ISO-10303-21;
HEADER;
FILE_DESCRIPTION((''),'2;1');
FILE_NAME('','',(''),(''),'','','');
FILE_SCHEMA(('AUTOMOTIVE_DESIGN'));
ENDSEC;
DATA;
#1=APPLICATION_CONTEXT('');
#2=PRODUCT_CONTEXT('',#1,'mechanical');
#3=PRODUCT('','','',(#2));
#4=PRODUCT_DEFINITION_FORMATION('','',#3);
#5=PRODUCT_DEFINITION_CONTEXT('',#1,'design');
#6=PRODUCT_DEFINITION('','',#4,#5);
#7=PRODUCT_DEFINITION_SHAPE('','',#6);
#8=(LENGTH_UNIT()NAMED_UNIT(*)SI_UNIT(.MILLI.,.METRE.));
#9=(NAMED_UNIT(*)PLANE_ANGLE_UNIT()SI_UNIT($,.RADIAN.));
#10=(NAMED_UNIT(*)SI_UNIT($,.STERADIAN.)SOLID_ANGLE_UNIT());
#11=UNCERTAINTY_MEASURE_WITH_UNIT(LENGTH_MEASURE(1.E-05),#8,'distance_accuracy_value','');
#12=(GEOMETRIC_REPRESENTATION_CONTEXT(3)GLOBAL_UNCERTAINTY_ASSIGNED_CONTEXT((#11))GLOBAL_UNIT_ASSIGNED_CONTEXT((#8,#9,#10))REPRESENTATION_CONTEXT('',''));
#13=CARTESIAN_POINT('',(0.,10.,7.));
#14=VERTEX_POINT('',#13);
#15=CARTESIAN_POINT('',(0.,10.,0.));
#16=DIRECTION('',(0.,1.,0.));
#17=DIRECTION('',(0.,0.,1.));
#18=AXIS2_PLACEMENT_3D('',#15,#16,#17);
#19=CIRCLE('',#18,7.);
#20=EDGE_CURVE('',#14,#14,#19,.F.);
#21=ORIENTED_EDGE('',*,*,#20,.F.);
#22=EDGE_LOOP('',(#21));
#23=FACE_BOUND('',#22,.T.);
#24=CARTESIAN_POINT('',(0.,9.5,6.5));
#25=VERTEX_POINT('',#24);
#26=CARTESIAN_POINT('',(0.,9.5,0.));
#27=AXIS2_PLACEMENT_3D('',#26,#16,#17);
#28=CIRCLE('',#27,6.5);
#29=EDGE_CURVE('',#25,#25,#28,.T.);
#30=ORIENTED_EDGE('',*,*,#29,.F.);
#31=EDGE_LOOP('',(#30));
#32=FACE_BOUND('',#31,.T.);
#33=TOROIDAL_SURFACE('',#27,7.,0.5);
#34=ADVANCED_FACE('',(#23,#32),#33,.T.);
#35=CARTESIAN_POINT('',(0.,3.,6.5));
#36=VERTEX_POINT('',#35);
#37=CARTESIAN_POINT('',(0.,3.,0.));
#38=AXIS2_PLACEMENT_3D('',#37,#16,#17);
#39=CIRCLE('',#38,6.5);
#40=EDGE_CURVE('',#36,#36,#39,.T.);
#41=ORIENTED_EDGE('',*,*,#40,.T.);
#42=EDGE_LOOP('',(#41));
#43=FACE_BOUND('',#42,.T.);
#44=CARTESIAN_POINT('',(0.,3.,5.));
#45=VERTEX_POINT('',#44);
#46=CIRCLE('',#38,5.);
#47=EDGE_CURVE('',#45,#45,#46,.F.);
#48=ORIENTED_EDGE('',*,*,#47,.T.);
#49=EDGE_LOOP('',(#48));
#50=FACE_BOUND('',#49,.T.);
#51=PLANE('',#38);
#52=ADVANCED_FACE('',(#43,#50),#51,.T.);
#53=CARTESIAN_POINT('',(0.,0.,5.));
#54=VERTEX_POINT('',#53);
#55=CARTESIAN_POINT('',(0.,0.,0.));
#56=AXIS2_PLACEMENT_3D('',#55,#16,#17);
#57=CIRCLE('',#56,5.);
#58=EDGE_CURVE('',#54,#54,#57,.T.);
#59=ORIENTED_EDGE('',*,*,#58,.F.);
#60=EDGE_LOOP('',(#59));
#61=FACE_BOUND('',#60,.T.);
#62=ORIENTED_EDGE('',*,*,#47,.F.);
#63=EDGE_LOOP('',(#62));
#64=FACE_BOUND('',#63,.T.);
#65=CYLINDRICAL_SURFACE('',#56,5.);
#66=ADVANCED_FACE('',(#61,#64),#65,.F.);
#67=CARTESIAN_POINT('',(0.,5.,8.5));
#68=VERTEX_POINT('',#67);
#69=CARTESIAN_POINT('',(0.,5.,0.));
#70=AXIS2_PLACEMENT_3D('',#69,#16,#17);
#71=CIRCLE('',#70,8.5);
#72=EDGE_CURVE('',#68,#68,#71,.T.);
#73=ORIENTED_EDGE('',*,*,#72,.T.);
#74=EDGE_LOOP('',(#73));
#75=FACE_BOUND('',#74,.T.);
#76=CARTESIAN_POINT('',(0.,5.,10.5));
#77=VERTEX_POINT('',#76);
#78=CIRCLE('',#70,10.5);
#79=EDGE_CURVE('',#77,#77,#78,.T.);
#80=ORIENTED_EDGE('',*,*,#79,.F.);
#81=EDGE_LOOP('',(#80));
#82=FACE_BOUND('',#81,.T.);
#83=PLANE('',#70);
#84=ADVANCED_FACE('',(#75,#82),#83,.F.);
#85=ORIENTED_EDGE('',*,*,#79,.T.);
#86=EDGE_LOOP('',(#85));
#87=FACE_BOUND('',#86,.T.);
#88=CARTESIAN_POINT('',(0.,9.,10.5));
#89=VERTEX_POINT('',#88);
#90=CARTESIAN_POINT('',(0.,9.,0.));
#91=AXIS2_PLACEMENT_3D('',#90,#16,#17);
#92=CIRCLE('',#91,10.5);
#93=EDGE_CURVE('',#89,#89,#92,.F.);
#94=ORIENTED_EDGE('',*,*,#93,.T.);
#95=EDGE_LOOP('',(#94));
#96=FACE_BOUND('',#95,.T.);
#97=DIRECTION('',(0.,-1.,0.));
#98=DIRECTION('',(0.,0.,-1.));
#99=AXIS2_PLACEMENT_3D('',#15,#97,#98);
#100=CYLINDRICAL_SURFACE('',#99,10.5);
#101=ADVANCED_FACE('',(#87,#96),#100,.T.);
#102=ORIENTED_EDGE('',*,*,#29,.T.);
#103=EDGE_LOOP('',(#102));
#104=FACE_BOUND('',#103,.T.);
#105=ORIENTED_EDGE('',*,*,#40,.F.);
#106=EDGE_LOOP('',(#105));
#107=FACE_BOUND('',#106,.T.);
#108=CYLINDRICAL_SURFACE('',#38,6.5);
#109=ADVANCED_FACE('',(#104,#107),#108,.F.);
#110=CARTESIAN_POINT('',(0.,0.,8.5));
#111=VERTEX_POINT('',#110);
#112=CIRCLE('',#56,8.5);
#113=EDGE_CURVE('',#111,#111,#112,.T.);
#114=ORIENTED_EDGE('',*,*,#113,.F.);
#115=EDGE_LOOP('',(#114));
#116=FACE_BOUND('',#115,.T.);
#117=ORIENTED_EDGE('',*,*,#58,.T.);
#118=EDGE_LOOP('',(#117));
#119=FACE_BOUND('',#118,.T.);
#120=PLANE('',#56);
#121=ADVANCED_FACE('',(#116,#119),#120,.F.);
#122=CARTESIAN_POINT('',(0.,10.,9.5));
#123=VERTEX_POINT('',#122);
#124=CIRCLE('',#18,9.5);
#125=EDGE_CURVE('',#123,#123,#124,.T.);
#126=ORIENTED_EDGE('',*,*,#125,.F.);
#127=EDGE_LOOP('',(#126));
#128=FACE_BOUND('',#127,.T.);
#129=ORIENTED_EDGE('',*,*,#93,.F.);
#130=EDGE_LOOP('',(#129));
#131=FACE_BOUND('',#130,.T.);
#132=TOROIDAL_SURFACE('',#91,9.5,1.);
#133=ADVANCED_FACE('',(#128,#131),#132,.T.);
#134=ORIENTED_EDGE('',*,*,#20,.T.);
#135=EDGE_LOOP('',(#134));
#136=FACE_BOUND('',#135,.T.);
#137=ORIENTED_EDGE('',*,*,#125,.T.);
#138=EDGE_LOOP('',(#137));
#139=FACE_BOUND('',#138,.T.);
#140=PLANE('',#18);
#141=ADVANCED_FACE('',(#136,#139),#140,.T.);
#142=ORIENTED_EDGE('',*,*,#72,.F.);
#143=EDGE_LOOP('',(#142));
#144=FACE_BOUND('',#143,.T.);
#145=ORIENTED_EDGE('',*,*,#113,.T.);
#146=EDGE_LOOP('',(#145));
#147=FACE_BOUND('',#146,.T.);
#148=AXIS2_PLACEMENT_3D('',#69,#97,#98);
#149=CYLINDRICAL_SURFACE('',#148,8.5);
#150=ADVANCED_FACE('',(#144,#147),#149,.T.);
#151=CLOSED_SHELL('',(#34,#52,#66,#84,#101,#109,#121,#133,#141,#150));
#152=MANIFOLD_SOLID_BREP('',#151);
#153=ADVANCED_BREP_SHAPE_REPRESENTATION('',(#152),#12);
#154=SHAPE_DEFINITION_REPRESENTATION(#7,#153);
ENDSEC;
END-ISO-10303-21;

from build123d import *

# Parameters (mm, degrees)
SKETCH1_R           = 8.5
BOSS_EXTRUDE1_DEPTH = 5
SKETCH2_R           = 10.5
BOSS_EXTRUDE2_DEPTH = 5
SKETCH3_R           = 5
CUT_EXTRUDE1_DEPTH  = 18.90251379
SKETCH4_R           = 6.5
CUT_EXTRUDE2_DEPTH  = 7
FILLET1_R           = 1
FILLET2_R           = 0.5


with BuildPart() as part:
    # Sketch1 → Boss-Extrude1 (new body)
    with BuildSketch(Plane(origin=(0, 0, 0), x_dir=(1, 0, 0), z_dir=(0, 1, 0))):
        with Locations(Location((0, 0, 0), (0, 0, 270))):
            Circle(SKETCH1_R)
    extrude(amount=BOSS_EXTRUDE1_DEPTH)

    # Sketch2 → Boss-Extrude2 (add)
    with BuildSketch(Plane(origin=(0, 5, 0), x_dir=(1, 0, 0), z_dir=(0, 1, 0))):
        with Locations(Location((0, 0, 0), (0, 0, 270))):
            Circle(SKETCH2_R)
    extrude(amount=BOSS_EXTRUDE2_DEPTH)

    # Sketch3 → Cut-Extrude1 (cut, through all)
    with BuildSketch(Plane(origin=(0, 10, 0), x_dir=(1, 0, 0), z_dir=(0, 1, 0))):
        with Locations(Location((0, 0, 0), (0, 0, 270))):
            Circle(SKETCH3_R)
    extrude(amount=-CUT_EXTRUDE1_DEPTH, mode=Mode.SUBTRACT)

    # Sketch4 → Cut-Extrude2 (cut)
    with BuildSketch(Plane(origin=(0, 10, 0), x_dir=(1, 0, 0), z_dir=(0, 1, 0))):
        with Locations(Location((0, 0, 0), (0, 0, 270))):
            Circle(SKETCH4_R)
    extrude(amount=-CUT_EXTRUDE2_DEPTH, mode=Mode.SUBTRACT)

    # Fillet1
    fillet1_edges = [part.edges().sort_by_distance(p)[0] for p in [
        (0, 10, -10.5),
    ]]
    fillet(fillet1_edges, radius=FILLET1_R)

    # Fillet2
    fillet2_edges = [part.edges().sort_by_distance(p)[0] for p in [
        (0, 10, -6.5),
    ]]
    fillet(fillet2_edges, radius=FILLET2_R)


solid = part.part
